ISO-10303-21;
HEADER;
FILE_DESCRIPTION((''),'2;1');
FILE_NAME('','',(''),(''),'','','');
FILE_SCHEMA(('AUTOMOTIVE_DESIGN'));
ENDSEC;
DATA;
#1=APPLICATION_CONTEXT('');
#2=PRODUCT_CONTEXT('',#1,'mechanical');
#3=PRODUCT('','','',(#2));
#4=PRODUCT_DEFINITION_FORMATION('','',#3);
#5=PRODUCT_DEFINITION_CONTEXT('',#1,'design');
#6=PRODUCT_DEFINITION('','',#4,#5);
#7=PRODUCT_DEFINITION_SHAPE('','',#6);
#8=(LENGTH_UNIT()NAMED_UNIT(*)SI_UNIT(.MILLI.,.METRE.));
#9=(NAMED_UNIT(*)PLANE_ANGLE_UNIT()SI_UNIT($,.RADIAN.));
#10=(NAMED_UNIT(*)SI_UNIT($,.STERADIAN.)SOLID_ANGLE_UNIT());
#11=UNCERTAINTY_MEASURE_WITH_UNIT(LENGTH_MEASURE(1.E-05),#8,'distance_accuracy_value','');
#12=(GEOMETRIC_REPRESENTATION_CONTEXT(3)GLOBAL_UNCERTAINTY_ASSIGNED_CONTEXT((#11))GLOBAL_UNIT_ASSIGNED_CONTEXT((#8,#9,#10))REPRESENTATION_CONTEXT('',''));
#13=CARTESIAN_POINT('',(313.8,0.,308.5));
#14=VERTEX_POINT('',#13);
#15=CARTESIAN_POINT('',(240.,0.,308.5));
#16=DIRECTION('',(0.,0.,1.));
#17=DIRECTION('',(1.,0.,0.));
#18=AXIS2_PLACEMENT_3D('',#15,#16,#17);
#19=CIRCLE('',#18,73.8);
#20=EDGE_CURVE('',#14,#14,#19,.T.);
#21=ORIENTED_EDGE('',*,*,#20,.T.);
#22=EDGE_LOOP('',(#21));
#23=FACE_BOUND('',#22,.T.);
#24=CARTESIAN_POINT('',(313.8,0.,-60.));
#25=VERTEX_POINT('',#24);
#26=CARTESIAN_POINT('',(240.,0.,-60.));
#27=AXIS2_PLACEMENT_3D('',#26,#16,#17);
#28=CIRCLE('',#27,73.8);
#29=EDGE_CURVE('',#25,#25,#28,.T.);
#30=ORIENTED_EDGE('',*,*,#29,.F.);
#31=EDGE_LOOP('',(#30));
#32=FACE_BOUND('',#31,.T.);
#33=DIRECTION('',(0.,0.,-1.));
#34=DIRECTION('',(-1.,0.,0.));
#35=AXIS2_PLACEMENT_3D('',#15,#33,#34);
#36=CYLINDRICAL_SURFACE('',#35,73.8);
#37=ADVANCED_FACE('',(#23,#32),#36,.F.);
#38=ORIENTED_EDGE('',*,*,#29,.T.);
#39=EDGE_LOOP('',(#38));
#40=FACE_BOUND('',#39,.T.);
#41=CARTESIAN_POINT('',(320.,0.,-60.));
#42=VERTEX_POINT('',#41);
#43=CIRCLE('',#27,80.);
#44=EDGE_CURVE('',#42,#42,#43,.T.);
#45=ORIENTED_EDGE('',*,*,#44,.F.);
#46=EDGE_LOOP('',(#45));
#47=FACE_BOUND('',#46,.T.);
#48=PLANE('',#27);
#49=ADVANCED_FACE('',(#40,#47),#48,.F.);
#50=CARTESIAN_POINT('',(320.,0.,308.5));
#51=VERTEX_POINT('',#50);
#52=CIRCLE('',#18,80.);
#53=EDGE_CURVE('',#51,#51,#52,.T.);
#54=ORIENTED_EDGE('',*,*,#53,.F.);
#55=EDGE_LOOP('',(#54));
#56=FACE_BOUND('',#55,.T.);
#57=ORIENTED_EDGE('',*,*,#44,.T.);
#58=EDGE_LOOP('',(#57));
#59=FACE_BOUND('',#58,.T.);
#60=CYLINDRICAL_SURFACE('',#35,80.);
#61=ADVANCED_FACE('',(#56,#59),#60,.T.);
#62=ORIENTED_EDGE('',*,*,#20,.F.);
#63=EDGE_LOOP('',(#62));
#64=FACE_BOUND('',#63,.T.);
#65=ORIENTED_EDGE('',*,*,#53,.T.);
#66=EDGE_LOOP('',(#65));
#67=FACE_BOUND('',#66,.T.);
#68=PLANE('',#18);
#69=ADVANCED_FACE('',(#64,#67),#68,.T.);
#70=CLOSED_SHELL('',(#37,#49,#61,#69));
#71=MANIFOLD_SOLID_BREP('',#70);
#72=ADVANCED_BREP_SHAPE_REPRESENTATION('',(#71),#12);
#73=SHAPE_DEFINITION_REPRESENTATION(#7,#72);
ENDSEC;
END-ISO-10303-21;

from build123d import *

# Parameters (mm, degrees)
EXTRUDE_START        = -60
EXTRUDE_SKETCH_1_R   = 80
EXTRUDE_SKETCH_1_R_2 = 73.8
EXTRUDE_1_DEPTH      = 368.5


with BuildPart() as part:
    # Extrude sketch 1 → Extrude 1 (new body)
    with BuildSketch(Plane.XY.offset(EXTRUDE_START)):
        with Locations((240, 0)):
            Circle(EXTRUDE_SKETCH_1_R)
        with Locations((240, 0)):
            Circle(EXTRUDE_SKETCH_1_R_2, mode=Mode.SUBTRACT)
    extrude(amount=EXTRUDE_1_DEPTH)


solid = part.part
